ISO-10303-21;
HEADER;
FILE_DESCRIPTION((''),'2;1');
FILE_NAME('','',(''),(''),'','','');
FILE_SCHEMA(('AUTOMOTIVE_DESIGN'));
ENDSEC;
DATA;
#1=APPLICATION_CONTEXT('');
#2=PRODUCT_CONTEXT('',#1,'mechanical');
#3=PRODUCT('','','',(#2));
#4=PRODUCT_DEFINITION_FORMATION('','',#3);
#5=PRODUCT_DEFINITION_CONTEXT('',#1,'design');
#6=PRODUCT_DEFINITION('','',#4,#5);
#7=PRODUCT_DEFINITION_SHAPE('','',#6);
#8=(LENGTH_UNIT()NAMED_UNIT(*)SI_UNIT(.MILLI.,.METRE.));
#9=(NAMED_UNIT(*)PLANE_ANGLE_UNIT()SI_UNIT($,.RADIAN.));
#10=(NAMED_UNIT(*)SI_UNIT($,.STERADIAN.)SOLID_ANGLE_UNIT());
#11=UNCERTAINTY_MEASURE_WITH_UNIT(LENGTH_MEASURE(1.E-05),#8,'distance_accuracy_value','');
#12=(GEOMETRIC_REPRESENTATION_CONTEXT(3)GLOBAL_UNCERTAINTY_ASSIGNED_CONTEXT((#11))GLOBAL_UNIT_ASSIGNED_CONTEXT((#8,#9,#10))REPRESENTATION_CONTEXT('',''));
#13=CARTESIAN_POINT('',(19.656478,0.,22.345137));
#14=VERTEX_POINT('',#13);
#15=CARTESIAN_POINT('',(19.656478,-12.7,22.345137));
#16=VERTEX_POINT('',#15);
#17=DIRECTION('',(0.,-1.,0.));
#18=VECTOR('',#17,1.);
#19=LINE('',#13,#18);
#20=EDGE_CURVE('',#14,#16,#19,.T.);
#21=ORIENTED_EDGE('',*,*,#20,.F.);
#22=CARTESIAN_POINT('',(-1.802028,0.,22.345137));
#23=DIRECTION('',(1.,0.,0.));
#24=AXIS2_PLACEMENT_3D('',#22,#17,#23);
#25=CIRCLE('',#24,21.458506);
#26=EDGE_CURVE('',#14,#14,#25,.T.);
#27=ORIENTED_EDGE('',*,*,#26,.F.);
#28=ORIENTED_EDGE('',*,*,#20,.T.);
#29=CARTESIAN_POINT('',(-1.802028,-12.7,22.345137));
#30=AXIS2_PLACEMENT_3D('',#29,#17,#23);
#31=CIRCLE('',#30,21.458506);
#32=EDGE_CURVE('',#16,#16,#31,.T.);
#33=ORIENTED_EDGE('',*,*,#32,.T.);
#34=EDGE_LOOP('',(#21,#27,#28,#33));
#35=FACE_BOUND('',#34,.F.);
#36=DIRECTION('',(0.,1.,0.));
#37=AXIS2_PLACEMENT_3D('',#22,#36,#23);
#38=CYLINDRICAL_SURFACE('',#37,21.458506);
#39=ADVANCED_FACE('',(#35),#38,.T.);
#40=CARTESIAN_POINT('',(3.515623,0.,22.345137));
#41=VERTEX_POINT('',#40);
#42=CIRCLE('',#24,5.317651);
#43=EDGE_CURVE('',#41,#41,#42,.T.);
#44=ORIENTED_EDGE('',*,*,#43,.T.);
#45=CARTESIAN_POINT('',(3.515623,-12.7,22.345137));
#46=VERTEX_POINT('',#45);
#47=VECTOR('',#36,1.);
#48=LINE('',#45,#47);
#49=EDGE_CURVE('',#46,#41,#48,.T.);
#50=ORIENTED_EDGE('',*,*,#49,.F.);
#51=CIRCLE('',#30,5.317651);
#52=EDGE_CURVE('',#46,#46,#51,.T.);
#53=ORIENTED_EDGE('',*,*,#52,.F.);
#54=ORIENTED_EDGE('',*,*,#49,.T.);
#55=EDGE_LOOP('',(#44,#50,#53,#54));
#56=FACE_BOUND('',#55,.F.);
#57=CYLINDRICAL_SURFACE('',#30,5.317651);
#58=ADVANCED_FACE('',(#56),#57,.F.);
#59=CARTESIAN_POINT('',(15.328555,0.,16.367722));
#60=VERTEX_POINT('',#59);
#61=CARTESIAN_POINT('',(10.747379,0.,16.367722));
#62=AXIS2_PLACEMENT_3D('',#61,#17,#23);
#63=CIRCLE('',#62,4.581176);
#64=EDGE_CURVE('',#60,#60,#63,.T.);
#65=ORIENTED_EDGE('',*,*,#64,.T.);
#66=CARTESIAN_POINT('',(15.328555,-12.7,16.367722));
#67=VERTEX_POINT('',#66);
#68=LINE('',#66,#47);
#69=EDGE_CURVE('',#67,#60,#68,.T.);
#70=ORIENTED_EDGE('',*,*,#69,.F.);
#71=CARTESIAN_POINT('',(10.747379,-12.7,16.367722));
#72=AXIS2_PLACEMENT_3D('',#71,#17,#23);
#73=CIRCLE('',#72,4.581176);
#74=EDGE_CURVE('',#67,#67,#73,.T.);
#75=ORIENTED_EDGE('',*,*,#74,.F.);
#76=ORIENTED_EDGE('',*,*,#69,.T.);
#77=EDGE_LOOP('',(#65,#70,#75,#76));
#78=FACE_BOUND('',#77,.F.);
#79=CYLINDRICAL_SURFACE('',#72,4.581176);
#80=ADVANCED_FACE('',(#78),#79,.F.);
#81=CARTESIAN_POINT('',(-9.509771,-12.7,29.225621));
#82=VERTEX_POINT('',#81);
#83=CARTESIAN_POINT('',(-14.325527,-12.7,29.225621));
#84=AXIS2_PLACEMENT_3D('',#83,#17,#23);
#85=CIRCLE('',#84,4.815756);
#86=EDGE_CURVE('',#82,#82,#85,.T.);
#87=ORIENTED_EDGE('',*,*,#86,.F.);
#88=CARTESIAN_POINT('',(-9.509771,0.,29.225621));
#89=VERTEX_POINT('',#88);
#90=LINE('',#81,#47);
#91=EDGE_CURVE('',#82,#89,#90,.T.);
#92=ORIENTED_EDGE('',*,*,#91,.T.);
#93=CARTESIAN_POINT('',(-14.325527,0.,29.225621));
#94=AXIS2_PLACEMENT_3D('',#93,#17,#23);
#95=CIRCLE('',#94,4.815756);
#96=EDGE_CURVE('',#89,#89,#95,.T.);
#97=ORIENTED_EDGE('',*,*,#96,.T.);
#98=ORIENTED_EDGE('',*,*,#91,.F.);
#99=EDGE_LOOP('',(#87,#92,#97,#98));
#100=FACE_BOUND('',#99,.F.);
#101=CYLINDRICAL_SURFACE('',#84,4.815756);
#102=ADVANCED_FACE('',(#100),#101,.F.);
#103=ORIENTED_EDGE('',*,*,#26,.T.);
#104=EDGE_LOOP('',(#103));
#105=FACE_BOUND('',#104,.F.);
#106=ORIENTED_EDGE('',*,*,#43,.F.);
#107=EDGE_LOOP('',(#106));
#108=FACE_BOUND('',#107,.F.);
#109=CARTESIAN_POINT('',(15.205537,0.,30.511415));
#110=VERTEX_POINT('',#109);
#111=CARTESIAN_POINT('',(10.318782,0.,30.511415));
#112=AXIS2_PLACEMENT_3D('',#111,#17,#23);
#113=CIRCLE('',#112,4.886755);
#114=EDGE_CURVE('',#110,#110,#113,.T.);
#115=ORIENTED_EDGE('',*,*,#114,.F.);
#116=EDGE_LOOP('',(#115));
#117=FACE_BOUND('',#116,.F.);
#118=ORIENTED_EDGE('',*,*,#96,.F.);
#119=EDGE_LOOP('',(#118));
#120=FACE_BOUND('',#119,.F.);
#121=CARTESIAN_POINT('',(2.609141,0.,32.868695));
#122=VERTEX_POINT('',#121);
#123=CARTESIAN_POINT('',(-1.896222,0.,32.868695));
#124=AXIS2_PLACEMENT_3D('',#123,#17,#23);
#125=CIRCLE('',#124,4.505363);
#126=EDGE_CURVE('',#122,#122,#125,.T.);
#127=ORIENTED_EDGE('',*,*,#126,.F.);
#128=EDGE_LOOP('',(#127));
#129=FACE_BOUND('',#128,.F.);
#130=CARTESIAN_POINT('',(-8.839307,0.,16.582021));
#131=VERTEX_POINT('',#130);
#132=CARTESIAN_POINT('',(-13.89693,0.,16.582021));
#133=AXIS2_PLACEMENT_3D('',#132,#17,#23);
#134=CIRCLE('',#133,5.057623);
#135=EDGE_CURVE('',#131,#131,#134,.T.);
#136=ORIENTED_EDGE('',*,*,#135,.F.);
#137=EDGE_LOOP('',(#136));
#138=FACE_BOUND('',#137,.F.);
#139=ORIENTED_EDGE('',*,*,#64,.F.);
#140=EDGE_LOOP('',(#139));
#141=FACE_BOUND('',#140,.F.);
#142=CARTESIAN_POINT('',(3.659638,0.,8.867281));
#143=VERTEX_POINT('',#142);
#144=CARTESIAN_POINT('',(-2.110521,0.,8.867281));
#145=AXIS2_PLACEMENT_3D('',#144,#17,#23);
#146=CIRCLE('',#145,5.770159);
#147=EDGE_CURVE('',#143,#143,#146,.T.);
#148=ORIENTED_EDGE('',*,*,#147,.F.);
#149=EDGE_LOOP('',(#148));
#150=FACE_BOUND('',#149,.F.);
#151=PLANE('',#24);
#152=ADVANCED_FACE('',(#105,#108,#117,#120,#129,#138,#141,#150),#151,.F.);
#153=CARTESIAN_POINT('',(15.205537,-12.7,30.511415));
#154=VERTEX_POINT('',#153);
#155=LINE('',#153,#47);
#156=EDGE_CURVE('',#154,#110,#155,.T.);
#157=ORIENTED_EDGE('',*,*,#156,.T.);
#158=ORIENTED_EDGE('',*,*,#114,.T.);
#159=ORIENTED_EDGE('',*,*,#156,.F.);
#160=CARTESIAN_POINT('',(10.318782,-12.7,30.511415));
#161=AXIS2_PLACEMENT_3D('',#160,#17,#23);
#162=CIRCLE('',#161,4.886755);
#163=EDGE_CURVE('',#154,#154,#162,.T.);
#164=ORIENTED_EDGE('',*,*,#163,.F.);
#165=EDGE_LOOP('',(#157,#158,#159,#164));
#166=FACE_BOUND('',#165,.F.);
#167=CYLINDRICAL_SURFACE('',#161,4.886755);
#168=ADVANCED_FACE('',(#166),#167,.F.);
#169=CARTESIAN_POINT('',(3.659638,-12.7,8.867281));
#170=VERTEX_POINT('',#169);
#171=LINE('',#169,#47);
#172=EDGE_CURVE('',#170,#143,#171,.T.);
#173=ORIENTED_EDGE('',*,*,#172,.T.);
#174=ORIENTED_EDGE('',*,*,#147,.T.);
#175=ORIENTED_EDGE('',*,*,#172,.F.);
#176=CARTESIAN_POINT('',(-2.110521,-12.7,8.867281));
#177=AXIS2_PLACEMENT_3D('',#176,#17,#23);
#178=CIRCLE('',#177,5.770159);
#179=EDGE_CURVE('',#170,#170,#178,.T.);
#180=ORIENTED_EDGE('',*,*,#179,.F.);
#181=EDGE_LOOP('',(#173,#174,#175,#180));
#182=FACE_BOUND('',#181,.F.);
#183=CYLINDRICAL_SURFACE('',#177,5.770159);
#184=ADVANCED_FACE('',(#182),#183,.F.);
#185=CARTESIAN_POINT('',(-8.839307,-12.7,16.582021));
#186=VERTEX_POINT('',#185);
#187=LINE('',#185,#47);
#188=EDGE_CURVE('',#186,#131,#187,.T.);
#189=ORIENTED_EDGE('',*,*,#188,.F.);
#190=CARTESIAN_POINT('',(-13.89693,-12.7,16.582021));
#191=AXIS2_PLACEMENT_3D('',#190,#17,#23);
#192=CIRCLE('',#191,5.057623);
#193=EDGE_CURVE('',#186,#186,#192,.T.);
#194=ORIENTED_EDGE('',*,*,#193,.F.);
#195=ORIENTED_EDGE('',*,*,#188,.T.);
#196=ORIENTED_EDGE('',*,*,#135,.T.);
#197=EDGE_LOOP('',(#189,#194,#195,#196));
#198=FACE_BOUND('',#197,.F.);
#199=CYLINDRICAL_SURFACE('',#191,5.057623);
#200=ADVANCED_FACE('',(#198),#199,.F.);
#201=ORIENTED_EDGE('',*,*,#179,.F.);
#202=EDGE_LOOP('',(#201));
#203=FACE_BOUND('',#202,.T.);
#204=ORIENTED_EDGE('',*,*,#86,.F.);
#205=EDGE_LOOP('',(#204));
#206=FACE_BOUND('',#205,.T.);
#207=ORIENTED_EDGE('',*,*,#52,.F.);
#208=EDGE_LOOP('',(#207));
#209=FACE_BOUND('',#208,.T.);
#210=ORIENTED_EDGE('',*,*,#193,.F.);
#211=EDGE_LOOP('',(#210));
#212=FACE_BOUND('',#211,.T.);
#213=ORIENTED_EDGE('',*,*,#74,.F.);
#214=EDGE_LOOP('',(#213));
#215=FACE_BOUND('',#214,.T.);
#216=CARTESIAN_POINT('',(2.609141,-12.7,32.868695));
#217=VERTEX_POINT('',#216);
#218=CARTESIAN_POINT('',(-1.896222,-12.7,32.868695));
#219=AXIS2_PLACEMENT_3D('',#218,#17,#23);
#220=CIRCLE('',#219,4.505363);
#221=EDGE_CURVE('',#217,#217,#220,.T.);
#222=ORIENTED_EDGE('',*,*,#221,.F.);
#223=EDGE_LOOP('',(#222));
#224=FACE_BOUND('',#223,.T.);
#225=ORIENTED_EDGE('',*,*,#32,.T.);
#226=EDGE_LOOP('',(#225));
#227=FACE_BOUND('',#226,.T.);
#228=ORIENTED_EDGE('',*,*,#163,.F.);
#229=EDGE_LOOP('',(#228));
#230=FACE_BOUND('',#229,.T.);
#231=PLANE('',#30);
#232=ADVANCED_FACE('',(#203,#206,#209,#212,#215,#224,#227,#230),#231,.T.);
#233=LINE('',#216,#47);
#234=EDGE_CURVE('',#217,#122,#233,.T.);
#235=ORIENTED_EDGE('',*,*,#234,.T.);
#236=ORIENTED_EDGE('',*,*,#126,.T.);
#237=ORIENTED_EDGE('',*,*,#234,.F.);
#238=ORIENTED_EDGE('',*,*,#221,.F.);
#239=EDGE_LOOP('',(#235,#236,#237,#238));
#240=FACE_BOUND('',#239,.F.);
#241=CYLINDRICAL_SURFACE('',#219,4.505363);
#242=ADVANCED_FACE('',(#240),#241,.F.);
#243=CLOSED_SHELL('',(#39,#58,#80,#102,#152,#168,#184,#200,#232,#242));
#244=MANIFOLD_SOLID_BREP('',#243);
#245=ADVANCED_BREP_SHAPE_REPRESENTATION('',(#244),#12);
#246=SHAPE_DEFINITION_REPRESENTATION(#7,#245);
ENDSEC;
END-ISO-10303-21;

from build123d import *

# Parameters (mm, degrees)
F0_R     = 21.458506
F1_DEPTH = 12.7
F2_R     = 4.505363
F2_R_2   = 4.886755
F2_R_3   = 5.317651
F2_R_4   = 4.581176
F2_R_5   = 5.057623
F2_R_6   = 4.815756
F2_R_7   = 5.770159
F3_DEPTH = 25.4


with BuildPart() as f1:
    # F0 (on Front) → F1 (new body)
    with BuildSketch(Plane.XZ):
        with Locations((-1.802028, 22.345137)):
            Circle(F0_R)
    extrude(amount=F1_DEPTH)

    # F2 (on face) → F3 (cut)
    with BuildSketch(Plane.XZ.offset(12.7)):
        with Locations((-1.896222, 32.868695)):
            Circle(F2_R)
        with Locations((10.318782, 30.511415)):
            Circle(F2_R_2)
        with Locations((-1.802028, 22.345137)):
            Circle(F2_R_3)
        with Locations((10.747379, 16.367722)):
            Circle(F2_R_4)
        with Locations((-13.89693, 16.582021)):
            Circle(F2_R_5)
        with Locations((-14.325527, 29.225621)):
            Circle(F2_R_6)
        with Locations((-2.110521, 8.867281)):
            Circle(F2_R_7)
    extrude(amount=-F3_DEPTH, mode=Mode.SUBTRACT)


solid = f1.part
